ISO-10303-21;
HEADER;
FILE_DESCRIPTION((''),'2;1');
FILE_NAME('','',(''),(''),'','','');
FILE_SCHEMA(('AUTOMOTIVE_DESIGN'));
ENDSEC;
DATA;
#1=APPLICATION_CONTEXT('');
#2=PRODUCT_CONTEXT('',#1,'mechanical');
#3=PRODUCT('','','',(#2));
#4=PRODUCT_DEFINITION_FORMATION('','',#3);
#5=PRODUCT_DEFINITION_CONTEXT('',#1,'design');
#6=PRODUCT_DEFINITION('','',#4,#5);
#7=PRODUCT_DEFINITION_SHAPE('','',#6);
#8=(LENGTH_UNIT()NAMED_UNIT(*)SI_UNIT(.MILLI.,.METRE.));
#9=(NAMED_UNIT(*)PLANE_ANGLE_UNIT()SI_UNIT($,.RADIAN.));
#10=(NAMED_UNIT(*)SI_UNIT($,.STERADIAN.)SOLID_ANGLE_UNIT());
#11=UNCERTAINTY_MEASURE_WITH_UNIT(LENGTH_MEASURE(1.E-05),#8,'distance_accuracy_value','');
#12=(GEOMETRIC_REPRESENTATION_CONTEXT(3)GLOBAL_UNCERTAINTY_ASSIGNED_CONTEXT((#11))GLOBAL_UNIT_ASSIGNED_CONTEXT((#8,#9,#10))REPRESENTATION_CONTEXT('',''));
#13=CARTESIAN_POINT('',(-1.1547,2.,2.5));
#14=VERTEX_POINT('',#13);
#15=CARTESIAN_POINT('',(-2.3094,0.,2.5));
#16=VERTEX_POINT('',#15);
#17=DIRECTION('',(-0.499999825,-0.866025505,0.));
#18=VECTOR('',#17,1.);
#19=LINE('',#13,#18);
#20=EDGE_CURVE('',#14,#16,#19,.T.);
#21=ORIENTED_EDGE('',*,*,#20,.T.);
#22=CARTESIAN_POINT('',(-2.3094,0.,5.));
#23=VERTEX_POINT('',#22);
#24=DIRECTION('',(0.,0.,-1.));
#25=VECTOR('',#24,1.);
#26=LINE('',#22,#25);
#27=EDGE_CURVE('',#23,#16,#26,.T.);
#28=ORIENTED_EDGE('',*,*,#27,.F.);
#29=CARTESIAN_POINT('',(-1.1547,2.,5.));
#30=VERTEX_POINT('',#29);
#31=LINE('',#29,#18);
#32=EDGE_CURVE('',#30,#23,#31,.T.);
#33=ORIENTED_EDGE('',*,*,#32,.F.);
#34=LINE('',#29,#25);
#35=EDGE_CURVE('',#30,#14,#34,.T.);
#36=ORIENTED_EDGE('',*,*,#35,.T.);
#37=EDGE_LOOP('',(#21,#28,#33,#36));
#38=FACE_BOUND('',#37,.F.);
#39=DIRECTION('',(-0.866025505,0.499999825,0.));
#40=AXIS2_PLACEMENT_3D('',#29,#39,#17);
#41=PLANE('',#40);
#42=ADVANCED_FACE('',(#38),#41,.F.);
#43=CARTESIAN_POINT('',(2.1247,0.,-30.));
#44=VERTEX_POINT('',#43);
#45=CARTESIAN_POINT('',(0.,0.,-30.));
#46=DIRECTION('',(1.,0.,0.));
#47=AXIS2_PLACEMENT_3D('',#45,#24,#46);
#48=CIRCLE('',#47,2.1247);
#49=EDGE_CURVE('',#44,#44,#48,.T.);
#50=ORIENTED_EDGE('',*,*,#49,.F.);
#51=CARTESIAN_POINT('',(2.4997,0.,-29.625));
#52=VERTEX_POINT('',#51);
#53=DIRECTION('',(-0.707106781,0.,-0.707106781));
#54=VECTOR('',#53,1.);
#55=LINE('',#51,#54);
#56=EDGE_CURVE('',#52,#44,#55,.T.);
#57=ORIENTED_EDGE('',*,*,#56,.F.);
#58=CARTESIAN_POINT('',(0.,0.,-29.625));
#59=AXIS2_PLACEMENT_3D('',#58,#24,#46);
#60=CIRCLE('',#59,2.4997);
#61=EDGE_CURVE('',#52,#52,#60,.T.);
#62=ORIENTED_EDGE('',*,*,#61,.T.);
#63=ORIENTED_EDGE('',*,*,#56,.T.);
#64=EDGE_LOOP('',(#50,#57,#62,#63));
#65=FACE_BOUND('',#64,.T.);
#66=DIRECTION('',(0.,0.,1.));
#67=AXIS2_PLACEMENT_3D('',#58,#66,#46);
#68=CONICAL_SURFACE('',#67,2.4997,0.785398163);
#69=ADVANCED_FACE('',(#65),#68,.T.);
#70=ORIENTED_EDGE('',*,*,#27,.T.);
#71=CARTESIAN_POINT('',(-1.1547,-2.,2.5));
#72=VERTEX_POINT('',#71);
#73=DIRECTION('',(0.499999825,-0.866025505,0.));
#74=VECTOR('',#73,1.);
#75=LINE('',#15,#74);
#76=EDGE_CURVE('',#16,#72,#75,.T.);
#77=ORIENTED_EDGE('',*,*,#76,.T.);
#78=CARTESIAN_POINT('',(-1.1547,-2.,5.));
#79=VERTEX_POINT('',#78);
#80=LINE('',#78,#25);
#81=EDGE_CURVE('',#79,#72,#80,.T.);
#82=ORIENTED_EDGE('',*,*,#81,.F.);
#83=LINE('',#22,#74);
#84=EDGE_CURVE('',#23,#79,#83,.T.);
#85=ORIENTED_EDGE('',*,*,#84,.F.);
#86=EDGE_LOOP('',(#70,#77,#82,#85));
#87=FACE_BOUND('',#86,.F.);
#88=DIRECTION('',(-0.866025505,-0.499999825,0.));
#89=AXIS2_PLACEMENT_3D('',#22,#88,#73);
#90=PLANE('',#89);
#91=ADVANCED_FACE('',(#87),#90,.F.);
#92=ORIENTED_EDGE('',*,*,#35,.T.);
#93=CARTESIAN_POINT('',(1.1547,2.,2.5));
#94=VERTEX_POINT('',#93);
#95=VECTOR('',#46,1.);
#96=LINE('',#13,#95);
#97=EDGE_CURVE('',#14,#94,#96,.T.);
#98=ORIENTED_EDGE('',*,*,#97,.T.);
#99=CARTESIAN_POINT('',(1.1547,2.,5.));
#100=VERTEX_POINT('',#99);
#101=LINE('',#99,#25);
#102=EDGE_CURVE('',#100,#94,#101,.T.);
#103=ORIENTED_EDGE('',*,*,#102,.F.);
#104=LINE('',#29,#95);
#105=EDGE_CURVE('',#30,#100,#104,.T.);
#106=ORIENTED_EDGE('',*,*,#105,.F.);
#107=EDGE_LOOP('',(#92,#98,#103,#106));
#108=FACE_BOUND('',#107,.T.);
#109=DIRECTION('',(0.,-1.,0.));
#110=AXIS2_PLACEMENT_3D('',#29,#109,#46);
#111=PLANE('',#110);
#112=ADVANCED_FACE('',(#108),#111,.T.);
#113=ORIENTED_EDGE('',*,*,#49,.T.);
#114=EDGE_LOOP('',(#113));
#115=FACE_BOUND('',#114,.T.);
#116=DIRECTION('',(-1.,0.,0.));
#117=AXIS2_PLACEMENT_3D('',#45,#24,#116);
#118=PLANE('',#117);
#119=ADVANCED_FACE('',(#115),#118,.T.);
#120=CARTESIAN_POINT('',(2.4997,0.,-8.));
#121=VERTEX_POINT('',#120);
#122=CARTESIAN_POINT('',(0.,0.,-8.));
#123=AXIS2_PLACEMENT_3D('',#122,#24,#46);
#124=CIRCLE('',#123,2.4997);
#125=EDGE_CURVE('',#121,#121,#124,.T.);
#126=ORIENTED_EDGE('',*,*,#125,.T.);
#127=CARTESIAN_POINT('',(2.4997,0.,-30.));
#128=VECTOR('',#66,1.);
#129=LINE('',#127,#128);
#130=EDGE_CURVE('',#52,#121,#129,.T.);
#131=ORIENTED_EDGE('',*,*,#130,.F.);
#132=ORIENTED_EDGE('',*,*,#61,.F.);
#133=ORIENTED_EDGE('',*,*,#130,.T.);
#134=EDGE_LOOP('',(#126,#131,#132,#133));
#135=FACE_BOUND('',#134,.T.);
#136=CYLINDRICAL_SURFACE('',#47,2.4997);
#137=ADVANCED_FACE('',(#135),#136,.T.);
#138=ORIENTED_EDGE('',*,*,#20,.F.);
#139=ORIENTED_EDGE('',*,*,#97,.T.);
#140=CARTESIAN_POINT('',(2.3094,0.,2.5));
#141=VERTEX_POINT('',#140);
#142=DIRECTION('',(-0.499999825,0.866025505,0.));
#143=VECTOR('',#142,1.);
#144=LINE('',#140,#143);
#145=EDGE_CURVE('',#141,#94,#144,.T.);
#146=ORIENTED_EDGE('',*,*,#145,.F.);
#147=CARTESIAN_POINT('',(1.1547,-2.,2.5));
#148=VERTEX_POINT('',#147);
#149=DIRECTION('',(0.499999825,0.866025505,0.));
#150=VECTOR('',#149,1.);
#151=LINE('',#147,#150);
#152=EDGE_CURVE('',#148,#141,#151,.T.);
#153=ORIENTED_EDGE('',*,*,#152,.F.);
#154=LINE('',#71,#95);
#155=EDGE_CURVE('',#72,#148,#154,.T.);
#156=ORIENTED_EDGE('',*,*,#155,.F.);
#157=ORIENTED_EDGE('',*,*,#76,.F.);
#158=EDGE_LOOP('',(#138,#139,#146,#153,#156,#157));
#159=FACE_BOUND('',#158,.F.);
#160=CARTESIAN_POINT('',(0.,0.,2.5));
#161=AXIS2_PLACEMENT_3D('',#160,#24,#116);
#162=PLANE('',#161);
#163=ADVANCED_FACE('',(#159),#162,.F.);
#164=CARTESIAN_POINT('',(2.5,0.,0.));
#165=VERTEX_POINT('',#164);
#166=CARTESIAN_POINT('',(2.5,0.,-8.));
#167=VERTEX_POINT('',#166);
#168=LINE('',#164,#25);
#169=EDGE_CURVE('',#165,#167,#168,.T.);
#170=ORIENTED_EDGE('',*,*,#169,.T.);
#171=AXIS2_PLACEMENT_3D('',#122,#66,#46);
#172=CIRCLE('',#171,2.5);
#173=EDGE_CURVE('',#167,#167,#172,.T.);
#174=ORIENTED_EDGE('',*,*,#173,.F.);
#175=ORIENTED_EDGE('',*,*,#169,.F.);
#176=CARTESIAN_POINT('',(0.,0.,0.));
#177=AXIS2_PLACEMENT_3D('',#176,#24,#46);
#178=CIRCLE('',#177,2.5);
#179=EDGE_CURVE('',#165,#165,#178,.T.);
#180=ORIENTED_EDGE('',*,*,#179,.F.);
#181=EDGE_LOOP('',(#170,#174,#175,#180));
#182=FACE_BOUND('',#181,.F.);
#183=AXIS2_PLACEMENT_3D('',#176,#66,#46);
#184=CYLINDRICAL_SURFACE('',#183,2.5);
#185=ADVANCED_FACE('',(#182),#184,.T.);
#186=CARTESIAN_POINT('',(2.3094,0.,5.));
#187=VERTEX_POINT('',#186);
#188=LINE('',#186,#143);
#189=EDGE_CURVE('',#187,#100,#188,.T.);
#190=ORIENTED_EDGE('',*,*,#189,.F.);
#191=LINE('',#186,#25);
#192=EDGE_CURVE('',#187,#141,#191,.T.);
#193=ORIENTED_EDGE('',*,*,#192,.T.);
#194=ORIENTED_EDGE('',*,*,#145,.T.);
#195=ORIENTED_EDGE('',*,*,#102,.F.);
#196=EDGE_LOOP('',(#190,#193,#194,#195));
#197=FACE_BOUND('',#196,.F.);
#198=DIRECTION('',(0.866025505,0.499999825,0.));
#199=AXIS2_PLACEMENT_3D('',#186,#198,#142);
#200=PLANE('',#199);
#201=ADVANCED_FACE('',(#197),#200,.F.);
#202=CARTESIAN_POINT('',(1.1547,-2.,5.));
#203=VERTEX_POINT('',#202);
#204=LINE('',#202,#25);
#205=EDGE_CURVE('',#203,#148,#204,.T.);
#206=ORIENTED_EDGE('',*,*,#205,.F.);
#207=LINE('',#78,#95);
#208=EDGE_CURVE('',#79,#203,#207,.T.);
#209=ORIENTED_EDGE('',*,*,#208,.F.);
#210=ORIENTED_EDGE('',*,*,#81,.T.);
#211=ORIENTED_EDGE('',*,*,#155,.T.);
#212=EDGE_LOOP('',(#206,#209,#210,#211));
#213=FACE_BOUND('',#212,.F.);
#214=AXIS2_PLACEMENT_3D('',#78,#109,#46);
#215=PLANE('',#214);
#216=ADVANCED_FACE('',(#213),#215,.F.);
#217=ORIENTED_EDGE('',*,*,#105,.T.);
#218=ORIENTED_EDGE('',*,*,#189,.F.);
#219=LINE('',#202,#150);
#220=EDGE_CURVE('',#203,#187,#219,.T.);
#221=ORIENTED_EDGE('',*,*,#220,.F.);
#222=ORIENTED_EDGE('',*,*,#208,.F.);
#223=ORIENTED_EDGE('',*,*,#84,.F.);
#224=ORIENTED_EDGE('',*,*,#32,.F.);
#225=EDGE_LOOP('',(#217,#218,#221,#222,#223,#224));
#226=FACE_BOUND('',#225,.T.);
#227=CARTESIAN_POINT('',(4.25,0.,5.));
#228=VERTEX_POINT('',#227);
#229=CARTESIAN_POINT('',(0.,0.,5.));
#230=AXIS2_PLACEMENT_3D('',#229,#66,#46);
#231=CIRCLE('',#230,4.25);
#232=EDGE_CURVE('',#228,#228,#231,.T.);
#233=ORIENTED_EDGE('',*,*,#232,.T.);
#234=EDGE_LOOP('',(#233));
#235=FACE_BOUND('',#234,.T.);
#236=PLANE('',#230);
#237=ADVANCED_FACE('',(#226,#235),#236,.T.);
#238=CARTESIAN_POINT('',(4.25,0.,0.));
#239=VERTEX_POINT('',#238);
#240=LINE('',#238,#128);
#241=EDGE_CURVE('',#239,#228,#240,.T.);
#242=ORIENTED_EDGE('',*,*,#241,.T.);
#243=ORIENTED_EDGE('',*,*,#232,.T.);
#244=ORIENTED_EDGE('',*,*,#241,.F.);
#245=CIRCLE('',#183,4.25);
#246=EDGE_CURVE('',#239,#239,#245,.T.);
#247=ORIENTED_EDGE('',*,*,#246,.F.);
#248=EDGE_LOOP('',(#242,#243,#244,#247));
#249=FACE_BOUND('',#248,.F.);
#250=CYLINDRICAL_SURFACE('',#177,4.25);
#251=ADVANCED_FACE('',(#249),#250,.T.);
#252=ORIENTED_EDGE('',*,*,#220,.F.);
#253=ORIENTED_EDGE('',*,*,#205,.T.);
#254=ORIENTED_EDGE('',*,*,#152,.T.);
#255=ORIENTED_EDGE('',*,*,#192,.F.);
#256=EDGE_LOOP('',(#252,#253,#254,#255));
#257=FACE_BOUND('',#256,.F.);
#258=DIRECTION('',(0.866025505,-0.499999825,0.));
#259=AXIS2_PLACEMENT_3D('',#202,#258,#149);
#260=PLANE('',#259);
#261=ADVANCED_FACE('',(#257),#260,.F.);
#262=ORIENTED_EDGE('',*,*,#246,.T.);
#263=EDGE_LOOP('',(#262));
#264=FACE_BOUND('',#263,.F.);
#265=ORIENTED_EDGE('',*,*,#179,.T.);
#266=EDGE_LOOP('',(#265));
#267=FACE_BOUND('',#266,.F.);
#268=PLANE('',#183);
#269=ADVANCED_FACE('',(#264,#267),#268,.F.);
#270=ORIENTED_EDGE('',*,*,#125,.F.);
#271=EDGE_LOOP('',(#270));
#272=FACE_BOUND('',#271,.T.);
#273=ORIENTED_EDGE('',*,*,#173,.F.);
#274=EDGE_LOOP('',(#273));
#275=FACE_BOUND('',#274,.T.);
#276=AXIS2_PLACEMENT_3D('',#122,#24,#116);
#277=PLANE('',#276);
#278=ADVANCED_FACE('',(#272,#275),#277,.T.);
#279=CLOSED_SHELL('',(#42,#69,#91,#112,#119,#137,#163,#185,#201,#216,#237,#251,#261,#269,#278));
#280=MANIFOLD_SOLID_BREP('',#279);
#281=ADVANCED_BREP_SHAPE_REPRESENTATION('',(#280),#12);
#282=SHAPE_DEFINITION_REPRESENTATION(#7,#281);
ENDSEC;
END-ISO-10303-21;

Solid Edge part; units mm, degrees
sketch "Sketch1" plane through (0, 0, 0) normal (0, 0, 1) x (1, 0, 0)
  circle A0 centre (0, 0) radius 4.25
  dimension "D1" = 8.5
extrude "Protrusion1" add sketch "Sketch1" along normal blind 5
sketch "Sketch2" plane through (0, 0, 0) normal (0, 0, -1) x (1, 0, 0)
  circle A0 centre (0, 0) radius 2.5
extrude "Protrusion2" add sketch "Sketch2" along normal blind 30
sketch "Sketch3" plane through (0, 0, -30) normal (0, 0, -1) x (1, 0, 0)
  circle A0 centre (0, 0) radius 2.4997
extrude "Cutout1" cut sketch "Sketch3" against normal blind 22 flip side to cut
chamfer "Chamfer_1" distance 0.375 angle 45 1 edges at (-2.4997, 0, -30)
sketch "Sketch4" plane through (0, 0, 5) normal (0, 0, 1) x (1, 0, 0)
  line L0 (-1.1547, 2) -> (1.1547, 2)
  line L1 (2.3094, 0) -> (1.1547, 2)
  line L2 (1.1547, -2) -> (2.3094, 0)
  line L3 (-1.1547, -2) -> (1.1547, -2)
  line L4 (-2.3094, 0) -> (-1.1547, -2)
  line L5 (-1.1547, 2) -> (-2.3094, 0)
  dimension "D1" = 4
extrude "Cutout2" cut sketch "Sketch4" against normal blind 2.5
properties part number "185701" material "Stainless Steel, 304"
